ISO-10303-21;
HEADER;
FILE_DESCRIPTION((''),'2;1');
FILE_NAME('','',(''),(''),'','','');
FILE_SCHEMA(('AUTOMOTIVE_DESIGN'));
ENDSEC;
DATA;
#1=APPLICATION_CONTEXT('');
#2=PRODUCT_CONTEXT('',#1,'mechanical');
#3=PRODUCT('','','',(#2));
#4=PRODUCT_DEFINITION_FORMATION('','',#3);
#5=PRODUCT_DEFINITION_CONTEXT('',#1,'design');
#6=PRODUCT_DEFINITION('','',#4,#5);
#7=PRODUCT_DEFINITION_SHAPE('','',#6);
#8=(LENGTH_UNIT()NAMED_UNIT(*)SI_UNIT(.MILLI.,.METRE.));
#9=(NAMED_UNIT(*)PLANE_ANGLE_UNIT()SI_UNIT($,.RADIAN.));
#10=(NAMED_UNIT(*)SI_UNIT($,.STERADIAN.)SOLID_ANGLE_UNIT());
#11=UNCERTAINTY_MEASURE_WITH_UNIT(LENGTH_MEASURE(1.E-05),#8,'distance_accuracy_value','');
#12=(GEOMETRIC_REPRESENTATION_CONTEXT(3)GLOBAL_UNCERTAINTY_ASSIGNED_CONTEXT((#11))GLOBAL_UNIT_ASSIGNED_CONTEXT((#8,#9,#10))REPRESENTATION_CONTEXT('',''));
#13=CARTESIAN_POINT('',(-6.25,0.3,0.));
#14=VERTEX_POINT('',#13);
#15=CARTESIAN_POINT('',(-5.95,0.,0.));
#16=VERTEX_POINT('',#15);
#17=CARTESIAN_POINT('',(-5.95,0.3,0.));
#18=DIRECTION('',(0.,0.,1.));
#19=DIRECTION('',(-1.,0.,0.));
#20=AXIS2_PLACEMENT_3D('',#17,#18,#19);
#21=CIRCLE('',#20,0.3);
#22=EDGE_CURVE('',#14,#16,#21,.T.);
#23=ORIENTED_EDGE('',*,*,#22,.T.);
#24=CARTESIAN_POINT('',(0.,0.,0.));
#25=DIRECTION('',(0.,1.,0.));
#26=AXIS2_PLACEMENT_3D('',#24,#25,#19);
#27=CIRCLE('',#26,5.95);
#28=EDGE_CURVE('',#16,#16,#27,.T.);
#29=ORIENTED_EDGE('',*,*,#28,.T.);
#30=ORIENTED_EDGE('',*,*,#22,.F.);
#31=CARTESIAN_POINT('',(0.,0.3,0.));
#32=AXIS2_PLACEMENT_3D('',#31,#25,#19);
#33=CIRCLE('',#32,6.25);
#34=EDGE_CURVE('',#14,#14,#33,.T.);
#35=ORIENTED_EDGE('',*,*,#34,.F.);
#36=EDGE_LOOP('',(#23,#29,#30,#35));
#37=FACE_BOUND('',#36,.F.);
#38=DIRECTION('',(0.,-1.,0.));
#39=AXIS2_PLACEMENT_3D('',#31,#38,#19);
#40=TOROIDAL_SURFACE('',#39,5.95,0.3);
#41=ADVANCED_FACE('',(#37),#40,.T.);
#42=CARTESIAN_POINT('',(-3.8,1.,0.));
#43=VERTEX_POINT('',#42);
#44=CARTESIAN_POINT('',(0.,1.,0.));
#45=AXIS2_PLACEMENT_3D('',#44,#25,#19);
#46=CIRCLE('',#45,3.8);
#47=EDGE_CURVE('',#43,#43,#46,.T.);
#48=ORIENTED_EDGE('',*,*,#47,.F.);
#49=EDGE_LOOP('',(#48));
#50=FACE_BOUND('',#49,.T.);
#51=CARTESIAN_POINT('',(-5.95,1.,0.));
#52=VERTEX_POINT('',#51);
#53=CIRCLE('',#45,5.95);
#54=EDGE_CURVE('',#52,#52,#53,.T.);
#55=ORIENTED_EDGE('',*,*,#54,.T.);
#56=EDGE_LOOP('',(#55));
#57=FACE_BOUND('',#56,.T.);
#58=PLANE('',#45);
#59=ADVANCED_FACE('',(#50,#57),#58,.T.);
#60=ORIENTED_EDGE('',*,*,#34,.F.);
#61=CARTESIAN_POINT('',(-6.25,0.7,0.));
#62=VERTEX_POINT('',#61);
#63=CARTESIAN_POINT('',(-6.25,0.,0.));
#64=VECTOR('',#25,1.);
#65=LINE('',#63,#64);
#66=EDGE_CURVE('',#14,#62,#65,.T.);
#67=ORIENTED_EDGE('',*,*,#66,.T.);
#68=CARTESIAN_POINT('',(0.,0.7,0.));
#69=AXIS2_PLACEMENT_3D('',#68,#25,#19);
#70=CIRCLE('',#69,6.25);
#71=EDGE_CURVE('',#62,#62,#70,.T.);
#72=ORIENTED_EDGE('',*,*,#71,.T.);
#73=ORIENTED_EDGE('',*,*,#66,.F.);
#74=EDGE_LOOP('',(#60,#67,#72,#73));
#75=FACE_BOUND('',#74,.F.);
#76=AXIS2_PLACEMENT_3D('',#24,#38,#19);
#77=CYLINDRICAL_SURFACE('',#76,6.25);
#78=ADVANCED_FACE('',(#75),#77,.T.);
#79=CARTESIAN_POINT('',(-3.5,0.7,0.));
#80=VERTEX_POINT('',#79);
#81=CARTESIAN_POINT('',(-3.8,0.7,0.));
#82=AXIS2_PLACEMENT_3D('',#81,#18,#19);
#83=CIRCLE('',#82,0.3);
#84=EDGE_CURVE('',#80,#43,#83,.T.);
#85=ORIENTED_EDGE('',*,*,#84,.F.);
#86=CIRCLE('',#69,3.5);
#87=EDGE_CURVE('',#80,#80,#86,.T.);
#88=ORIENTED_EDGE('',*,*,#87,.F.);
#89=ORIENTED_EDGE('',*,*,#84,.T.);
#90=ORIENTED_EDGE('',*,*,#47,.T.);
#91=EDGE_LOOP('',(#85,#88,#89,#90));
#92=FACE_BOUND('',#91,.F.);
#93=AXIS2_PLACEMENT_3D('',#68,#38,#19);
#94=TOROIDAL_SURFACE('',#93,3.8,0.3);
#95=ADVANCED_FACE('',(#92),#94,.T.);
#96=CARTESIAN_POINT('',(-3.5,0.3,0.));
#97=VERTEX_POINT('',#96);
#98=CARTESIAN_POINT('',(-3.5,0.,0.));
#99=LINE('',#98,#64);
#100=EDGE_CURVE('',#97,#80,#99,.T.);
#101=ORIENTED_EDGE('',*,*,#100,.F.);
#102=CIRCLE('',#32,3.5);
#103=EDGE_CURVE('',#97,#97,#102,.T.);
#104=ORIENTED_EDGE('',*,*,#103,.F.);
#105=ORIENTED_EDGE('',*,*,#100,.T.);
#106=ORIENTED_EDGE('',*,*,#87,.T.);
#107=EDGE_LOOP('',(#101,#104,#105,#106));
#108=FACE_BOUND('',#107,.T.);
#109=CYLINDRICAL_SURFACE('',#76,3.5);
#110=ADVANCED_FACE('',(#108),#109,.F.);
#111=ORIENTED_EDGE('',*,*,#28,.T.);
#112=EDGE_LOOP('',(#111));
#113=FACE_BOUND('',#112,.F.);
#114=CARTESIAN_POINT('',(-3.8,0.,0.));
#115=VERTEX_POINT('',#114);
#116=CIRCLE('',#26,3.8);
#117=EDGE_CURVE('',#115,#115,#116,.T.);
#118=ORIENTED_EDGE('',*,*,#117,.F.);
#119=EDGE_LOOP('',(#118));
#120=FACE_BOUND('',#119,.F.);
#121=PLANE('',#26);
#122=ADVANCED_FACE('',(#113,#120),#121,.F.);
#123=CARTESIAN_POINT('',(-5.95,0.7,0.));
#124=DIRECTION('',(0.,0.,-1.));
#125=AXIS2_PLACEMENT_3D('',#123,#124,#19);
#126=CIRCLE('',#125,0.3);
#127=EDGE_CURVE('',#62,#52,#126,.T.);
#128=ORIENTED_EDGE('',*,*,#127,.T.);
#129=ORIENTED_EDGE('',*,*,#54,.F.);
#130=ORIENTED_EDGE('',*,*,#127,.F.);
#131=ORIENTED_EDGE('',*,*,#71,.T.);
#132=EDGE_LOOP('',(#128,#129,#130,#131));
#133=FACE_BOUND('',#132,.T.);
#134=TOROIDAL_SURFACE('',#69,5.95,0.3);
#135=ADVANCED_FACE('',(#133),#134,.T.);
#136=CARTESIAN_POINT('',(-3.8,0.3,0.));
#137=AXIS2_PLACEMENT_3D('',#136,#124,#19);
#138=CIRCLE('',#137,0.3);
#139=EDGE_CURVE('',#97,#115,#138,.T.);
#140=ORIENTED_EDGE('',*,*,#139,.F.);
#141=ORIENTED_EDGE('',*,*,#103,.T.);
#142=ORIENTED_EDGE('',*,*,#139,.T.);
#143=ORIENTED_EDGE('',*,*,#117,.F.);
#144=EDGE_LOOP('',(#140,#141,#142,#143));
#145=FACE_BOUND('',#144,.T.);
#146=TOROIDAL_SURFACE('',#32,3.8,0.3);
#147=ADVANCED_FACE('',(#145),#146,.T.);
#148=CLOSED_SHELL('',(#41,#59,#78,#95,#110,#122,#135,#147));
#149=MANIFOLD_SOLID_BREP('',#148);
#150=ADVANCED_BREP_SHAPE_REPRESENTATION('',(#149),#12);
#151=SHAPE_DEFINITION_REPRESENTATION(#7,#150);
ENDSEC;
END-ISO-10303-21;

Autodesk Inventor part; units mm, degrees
ref_plane "YZ Plane" through (0, 0, 0) normal (1, 0, 0) x (0, 1, 0)
ref_plane "XZ Plane" through (0, 0, 0) normal (0, 1, 0) x (-1, 0, 0)
ref_plane "XY Plane" through (0, 0, 0) normal (0, 0, 1) x (1, 0, 0)
sketch "Esboço1" plane through (0, 0, 0) normal (0, 1, 0) x (-1, 0, 0)
  circle A0 centre (0, 0) radius 3.5
  circle A1 centre (0, 0) radius 6.25
  dimension "d0" = 7
  dimension "d1" = 12.5
extrude "Extrusão1" add sketch "Esboço1" along normal blind 1
fillet "Arredondamento1" radius 0.3 4 edges at (3.5, 1, 0) (6.25, 1, 0) (3.5, 0, 0) (6.25, 0, 0)
properties part number "ruela m6 borracha" material "Borracha"
